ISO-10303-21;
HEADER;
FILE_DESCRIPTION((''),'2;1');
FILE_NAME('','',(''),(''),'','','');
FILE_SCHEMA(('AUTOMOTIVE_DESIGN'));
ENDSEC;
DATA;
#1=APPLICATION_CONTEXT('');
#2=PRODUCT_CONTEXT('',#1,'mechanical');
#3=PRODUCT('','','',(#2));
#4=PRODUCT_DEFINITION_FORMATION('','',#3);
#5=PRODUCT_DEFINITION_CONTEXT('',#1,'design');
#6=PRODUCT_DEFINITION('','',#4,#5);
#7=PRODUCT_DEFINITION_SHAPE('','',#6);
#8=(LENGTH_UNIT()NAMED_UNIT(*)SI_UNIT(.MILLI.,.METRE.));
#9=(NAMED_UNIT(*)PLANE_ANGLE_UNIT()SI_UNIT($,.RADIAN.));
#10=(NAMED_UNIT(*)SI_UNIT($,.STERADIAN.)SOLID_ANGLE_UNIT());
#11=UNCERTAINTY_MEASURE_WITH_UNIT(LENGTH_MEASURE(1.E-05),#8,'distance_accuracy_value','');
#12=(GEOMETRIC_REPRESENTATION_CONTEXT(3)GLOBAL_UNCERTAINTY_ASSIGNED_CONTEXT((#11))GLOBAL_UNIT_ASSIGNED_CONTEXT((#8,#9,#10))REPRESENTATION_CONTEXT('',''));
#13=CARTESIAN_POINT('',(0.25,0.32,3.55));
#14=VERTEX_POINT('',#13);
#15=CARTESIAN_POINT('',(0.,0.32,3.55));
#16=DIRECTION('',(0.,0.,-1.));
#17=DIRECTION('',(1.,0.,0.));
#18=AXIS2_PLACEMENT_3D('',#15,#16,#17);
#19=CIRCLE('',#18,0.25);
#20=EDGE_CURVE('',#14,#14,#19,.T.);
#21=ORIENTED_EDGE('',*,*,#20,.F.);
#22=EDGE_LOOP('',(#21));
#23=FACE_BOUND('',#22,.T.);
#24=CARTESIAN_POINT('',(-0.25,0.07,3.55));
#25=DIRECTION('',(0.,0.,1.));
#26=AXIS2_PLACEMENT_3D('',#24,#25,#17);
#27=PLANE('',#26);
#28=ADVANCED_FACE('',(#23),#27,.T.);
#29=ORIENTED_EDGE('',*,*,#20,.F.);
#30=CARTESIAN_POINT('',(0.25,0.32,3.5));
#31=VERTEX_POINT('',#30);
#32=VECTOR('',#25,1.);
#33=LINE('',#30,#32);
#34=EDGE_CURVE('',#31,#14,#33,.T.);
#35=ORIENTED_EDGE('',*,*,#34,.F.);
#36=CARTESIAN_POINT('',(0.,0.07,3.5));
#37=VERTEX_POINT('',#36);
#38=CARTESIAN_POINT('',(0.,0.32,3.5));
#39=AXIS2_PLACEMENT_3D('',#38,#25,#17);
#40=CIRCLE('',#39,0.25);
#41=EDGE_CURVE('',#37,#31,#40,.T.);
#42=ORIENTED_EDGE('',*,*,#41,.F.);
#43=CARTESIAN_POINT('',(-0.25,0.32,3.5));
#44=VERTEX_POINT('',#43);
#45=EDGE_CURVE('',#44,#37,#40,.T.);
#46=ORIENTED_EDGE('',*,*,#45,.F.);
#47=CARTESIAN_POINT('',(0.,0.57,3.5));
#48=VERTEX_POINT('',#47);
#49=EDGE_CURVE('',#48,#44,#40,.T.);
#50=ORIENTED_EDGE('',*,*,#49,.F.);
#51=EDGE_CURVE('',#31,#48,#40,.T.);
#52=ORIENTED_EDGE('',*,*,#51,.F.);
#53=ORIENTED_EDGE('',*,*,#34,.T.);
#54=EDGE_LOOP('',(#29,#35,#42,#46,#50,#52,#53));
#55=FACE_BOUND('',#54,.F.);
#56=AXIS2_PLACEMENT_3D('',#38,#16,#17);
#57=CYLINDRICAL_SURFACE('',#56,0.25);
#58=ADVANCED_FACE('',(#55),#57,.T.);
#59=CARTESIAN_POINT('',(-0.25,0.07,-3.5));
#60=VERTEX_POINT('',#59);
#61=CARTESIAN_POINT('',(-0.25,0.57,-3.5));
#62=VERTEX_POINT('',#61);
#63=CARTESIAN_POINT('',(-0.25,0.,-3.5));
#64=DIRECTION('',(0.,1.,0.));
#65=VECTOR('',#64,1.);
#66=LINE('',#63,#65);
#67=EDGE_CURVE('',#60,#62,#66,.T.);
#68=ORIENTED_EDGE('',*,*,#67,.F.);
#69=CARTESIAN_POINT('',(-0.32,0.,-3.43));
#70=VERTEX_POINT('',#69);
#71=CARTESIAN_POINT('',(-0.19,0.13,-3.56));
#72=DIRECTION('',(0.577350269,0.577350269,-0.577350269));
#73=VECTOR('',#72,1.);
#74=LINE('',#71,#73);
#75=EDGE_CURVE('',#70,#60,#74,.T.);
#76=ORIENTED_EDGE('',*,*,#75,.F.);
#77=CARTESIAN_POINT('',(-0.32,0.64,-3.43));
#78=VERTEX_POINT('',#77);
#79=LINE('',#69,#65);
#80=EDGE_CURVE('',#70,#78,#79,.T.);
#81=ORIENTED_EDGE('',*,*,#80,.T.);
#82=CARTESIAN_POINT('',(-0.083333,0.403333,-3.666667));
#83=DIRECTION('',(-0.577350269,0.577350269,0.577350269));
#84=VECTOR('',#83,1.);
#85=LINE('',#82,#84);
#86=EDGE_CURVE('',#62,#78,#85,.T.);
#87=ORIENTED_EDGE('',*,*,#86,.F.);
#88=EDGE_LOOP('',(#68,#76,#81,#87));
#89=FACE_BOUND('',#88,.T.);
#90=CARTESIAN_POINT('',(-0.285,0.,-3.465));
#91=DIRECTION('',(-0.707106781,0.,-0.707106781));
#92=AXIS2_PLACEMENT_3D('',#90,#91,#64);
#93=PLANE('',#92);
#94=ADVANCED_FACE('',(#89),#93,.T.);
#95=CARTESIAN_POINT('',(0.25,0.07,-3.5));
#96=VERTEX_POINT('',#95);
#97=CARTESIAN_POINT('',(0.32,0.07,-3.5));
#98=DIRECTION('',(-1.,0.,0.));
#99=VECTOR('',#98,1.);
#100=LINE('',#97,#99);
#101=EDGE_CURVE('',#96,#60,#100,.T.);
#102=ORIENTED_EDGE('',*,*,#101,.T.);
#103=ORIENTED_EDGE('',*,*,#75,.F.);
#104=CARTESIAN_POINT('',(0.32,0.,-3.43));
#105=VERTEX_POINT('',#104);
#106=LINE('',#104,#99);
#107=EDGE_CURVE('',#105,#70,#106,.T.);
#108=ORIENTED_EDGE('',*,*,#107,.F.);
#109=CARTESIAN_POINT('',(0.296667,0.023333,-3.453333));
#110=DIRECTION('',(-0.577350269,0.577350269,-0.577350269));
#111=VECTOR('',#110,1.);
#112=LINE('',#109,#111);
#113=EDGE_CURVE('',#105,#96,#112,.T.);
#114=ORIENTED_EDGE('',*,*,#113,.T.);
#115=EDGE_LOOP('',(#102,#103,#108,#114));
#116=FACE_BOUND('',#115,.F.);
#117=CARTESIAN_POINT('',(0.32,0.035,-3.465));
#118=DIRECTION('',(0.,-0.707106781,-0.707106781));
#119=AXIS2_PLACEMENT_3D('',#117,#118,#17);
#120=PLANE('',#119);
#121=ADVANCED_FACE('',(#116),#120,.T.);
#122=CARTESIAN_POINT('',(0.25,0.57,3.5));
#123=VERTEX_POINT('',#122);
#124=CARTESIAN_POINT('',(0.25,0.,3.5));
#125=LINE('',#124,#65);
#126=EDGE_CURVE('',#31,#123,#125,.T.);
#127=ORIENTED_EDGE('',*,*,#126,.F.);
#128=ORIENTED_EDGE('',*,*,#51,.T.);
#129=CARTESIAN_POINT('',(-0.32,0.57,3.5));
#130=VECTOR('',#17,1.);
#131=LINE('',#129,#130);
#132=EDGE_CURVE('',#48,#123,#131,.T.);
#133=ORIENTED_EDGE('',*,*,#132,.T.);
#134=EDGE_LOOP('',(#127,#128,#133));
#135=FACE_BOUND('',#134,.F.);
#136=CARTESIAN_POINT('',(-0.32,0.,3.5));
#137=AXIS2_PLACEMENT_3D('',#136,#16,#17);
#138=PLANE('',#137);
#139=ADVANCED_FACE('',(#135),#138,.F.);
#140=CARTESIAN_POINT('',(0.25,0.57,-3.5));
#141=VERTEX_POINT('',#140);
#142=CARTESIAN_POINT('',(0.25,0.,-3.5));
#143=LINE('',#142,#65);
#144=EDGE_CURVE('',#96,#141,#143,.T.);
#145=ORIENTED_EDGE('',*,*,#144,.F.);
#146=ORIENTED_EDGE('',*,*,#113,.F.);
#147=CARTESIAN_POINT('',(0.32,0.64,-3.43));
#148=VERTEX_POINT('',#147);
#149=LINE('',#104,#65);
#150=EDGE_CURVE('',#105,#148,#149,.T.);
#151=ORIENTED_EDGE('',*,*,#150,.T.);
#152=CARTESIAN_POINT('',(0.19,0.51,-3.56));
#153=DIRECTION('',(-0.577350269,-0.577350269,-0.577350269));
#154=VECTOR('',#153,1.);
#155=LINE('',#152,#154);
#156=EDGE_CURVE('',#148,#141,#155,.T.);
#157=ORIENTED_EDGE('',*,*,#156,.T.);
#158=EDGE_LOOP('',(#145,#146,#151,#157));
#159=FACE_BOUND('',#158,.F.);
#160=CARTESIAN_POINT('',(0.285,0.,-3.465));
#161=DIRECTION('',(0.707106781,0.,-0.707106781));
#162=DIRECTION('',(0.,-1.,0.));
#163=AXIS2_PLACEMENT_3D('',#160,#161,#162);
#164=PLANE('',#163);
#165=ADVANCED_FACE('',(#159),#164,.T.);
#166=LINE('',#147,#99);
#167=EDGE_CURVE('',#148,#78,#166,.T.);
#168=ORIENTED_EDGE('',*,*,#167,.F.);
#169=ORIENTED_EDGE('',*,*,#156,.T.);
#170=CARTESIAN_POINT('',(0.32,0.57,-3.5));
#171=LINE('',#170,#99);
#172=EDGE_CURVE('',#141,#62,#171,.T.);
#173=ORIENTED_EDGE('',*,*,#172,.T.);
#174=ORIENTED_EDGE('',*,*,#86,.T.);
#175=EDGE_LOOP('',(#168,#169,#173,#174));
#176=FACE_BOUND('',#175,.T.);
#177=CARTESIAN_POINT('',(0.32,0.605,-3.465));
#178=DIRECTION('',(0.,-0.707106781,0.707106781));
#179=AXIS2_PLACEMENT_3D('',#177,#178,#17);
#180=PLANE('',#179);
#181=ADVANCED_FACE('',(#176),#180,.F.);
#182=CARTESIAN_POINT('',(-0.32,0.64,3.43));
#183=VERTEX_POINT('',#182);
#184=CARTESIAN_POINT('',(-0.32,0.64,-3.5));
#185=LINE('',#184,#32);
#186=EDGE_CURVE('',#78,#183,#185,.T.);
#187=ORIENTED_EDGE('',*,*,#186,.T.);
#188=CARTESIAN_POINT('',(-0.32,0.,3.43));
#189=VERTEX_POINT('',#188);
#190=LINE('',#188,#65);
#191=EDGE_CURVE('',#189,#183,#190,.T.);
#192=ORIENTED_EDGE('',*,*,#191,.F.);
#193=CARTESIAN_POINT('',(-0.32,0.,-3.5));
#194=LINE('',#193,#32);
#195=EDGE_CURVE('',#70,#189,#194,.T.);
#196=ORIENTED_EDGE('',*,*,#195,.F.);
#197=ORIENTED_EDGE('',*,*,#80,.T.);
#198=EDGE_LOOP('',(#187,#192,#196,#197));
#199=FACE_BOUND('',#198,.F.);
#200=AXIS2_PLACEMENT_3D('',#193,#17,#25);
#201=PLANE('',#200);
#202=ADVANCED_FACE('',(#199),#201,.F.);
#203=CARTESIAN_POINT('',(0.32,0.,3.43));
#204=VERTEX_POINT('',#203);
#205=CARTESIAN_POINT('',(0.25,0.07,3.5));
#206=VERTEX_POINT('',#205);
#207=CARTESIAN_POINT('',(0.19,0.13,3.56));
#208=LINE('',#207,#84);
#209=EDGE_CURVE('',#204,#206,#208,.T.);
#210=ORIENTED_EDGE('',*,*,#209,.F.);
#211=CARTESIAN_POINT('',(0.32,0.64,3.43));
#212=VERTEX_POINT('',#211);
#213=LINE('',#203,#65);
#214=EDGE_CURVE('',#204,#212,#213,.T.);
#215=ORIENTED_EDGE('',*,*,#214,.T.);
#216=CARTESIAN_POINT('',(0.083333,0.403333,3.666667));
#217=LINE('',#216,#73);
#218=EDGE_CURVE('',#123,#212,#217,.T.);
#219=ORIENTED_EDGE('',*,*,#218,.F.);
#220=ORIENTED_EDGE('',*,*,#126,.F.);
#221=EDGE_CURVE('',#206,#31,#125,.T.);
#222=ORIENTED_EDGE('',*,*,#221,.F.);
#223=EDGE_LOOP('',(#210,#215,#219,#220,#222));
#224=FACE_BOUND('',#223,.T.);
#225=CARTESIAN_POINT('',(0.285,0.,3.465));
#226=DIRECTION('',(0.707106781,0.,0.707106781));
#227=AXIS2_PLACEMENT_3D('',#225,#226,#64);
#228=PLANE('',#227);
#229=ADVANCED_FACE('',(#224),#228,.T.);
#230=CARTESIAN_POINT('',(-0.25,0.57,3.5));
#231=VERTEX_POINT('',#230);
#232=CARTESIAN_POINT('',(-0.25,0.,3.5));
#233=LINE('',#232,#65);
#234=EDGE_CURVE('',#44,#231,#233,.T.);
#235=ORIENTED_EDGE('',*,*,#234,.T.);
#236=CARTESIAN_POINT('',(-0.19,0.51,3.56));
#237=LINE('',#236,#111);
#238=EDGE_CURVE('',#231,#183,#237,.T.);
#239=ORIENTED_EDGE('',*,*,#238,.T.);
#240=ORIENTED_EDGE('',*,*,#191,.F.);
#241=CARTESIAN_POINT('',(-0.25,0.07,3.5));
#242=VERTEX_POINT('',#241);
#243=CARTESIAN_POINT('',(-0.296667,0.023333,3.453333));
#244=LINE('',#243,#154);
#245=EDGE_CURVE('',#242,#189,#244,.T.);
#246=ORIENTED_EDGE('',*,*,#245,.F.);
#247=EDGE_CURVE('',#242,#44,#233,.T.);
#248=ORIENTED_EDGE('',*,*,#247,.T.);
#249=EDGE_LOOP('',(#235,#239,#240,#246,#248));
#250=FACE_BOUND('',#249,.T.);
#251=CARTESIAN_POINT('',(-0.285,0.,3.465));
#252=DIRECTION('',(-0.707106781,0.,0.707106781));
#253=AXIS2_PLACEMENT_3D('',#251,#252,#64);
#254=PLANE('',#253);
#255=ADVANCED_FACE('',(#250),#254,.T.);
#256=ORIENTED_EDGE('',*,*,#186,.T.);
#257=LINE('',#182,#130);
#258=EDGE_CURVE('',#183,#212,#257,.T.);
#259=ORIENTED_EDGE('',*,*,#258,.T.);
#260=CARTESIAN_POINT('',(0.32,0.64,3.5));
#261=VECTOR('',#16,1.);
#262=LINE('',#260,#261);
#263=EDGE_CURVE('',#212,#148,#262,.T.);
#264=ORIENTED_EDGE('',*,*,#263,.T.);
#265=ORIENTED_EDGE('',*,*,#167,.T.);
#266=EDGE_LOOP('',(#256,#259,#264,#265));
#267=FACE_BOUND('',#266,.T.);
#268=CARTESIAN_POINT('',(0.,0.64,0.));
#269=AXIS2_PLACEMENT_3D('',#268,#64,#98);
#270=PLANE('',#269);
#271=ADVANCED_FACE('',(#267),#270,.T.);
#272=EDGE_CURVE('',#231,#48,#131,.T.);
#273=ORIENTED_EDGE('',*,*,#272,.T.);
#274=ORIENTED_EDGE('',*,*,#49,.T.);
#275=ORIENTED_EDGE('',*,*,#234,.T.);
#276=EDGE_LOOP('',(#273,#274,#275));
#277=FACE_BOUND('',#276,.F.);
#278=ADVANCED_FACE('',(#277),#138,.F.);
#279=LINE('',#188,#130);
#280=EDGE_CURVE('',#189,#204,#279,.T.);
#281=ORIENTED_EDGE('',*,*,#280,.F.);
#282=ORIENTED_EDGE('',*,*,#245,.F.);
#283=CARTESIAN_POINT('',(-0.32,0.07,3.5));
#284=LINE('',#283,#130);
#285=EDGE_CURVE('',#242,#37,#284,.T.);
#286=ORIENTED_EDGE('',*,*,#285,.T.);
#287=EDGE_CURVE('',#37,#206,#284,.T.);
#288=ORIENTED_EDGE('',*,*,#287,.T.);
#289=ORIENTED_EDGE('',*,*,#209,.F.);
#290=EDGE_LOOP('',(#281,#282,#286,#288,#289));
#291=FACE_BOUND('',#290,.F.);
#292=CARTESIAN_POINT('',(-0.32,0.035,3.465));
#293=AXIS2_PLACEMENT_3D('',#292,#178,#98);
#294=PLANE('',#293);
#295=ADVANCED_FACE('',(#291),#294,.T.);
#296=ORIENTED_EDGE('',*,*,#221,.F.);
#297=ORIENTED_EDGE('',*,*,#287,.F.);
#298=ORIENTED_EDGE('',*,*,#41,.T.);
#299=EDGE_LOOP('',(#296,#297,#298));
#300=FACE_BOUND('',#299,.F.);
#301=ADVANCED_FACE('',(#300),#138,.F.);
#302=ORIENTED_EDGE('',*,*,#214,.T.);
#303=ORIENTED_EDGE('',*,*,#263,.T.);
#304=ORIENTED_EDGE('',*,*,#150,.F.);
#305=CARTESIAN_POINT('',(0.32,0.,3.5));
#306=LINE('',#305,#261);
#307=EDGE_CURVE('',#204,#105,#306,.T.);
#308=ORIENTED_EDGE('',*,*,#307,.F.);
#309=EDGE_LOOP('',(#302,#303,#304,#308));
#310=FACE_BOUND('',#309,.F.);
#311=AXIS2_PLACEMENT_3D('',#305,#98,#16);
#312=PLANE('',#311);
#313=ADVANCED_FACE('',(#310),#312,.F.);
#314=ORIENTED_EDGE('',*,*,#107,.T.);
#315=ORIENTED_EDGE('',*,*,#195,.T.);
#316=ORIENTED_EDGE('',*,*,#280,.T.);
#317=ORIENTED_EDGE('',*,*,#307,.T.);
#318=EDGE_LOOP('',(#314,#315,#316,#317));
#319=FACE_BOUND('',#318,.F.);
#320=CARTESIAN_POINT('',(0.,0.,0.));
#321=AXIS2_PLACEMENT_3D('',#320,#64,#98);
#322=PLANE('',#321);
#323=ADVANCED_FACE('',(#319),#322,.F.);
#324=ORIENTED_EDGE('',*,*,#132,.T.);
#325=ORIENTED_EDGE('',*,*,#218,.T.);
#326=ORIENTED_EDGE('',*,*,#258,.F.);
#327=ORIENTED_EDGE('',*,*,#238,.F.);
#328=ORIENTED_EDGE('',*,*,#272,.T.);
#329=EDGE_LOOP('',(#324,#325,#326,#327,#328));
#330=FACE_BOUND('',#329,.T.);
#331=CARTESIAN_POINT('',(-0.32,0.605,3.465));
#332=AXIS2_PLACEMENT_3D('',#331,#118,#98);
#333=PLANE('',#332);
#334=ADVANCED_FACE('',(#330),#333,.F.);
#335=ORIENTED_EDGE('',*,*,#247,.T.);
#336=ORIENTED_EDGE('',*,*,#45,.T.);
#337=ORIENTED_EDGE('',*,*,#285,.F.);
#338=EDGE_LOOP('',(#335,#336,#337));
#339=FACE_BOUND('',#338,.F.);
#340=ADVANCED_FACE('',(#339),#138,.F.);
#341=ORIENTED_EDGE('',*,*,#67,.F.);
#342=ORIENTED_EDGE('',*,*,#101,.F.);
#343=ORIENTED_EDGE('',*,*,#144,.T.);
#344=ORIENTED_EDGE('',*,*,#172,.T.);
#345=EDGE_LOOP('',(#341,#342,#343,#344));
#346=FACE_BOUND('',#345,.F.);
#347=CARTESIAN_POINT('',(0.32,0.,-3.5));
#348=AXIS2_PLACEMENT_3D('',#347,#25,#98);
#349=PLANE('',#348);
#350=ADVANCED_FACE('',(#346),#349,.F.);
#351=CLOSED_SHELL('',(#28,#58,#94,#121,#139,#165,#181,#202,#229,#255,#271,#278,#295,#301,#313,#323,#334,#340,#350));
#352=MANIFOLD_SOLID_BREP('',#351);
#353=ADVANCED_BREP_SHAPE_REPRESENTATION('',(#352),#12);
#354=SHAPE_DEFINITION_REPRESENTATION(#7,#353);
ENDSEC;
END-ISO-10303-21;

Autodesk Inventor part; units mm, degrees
ref_plane "YZ Plane" through (0, 0, 0) normal (1, 0, 0) x (0, 1, 0)
ref_plane "XZ Plane" through (0, 0, 0) normal (0, 1, 0) x (-1, 0, 0)
ref_plane "XY Plane" through (0, 0, 0) normal (0, 0, 1) x (1, 0, 0)
sketch "Skizze1" plane through (0, 0, 0) normal (0, 1, 0) x (-1, 0, 0)
  line L0 (-0.32, -3.5) -> (0.32, -3.5)
  line L1 (0.32, -3.5) -> (0.32, 3.5)
  line L2 (0.32, 3.5) -> (-0.32, 3.5)
  line L3 (-0.32, 3.5) -> (-0.32, -3.5)
  line L4 (-0.32, -3.5) -> (0.32, 3.5) construction
  line L5 (0.32, -3.5) -> (-0.32, 3.5) construction
  point P0 (0, 0)
  point P1 (0, -3.5)
  point P2 (0, 3.5)
  dimension "d0" = 0.64
  dimension "d1" = 7
extrude "Extrusion1" add sketch "Skizze1" along normal blind 0.64
chamfer "Fasen1" distance 0.07 angle 45 8 edges at (0, 0.64, 3.5) (0.32, 0.32, 3.5) (-0.32, 0.32, 3.5) (0, 0, 3.5) (0.32, 0.32, -3.5) (0, 0.64, -3.5) (-0.32, 0.32, -3.5) (0, 0, -3.5)
sketch "Skizze2" plane through (-0.25, 0.07, 3.5) normal (0, 0, 1) x (1, 0, 0)
  line L0 (0, 0.5) -> (0, 0) projected
  line L1 (0, 0) -> (0.5, 0) projected
  line L2 (0, 0.5) -> (0.5, 0)
  line L3 (0.5, 0) -> (0.5, 0.5) projected
  line L4 (0.5, 0) -> (0.5, 0.5)
  line L5 (0.5, 0.5) -> (0, 0)
  circle A0 centre (0.25, 0.25) radius 0.25
  line L6 (0.5, 0.5) -> (0, 0.5) projected
  point P0 (0.25, -0.07)
extrude "Extrusion2" add sketch "Skizze2" along normal blind 0.05 contours A0 L2 L5 | A0 L5 L2 | L5 L2 A0 | L5 A0 L2
properties part number "Pin_7mm"
